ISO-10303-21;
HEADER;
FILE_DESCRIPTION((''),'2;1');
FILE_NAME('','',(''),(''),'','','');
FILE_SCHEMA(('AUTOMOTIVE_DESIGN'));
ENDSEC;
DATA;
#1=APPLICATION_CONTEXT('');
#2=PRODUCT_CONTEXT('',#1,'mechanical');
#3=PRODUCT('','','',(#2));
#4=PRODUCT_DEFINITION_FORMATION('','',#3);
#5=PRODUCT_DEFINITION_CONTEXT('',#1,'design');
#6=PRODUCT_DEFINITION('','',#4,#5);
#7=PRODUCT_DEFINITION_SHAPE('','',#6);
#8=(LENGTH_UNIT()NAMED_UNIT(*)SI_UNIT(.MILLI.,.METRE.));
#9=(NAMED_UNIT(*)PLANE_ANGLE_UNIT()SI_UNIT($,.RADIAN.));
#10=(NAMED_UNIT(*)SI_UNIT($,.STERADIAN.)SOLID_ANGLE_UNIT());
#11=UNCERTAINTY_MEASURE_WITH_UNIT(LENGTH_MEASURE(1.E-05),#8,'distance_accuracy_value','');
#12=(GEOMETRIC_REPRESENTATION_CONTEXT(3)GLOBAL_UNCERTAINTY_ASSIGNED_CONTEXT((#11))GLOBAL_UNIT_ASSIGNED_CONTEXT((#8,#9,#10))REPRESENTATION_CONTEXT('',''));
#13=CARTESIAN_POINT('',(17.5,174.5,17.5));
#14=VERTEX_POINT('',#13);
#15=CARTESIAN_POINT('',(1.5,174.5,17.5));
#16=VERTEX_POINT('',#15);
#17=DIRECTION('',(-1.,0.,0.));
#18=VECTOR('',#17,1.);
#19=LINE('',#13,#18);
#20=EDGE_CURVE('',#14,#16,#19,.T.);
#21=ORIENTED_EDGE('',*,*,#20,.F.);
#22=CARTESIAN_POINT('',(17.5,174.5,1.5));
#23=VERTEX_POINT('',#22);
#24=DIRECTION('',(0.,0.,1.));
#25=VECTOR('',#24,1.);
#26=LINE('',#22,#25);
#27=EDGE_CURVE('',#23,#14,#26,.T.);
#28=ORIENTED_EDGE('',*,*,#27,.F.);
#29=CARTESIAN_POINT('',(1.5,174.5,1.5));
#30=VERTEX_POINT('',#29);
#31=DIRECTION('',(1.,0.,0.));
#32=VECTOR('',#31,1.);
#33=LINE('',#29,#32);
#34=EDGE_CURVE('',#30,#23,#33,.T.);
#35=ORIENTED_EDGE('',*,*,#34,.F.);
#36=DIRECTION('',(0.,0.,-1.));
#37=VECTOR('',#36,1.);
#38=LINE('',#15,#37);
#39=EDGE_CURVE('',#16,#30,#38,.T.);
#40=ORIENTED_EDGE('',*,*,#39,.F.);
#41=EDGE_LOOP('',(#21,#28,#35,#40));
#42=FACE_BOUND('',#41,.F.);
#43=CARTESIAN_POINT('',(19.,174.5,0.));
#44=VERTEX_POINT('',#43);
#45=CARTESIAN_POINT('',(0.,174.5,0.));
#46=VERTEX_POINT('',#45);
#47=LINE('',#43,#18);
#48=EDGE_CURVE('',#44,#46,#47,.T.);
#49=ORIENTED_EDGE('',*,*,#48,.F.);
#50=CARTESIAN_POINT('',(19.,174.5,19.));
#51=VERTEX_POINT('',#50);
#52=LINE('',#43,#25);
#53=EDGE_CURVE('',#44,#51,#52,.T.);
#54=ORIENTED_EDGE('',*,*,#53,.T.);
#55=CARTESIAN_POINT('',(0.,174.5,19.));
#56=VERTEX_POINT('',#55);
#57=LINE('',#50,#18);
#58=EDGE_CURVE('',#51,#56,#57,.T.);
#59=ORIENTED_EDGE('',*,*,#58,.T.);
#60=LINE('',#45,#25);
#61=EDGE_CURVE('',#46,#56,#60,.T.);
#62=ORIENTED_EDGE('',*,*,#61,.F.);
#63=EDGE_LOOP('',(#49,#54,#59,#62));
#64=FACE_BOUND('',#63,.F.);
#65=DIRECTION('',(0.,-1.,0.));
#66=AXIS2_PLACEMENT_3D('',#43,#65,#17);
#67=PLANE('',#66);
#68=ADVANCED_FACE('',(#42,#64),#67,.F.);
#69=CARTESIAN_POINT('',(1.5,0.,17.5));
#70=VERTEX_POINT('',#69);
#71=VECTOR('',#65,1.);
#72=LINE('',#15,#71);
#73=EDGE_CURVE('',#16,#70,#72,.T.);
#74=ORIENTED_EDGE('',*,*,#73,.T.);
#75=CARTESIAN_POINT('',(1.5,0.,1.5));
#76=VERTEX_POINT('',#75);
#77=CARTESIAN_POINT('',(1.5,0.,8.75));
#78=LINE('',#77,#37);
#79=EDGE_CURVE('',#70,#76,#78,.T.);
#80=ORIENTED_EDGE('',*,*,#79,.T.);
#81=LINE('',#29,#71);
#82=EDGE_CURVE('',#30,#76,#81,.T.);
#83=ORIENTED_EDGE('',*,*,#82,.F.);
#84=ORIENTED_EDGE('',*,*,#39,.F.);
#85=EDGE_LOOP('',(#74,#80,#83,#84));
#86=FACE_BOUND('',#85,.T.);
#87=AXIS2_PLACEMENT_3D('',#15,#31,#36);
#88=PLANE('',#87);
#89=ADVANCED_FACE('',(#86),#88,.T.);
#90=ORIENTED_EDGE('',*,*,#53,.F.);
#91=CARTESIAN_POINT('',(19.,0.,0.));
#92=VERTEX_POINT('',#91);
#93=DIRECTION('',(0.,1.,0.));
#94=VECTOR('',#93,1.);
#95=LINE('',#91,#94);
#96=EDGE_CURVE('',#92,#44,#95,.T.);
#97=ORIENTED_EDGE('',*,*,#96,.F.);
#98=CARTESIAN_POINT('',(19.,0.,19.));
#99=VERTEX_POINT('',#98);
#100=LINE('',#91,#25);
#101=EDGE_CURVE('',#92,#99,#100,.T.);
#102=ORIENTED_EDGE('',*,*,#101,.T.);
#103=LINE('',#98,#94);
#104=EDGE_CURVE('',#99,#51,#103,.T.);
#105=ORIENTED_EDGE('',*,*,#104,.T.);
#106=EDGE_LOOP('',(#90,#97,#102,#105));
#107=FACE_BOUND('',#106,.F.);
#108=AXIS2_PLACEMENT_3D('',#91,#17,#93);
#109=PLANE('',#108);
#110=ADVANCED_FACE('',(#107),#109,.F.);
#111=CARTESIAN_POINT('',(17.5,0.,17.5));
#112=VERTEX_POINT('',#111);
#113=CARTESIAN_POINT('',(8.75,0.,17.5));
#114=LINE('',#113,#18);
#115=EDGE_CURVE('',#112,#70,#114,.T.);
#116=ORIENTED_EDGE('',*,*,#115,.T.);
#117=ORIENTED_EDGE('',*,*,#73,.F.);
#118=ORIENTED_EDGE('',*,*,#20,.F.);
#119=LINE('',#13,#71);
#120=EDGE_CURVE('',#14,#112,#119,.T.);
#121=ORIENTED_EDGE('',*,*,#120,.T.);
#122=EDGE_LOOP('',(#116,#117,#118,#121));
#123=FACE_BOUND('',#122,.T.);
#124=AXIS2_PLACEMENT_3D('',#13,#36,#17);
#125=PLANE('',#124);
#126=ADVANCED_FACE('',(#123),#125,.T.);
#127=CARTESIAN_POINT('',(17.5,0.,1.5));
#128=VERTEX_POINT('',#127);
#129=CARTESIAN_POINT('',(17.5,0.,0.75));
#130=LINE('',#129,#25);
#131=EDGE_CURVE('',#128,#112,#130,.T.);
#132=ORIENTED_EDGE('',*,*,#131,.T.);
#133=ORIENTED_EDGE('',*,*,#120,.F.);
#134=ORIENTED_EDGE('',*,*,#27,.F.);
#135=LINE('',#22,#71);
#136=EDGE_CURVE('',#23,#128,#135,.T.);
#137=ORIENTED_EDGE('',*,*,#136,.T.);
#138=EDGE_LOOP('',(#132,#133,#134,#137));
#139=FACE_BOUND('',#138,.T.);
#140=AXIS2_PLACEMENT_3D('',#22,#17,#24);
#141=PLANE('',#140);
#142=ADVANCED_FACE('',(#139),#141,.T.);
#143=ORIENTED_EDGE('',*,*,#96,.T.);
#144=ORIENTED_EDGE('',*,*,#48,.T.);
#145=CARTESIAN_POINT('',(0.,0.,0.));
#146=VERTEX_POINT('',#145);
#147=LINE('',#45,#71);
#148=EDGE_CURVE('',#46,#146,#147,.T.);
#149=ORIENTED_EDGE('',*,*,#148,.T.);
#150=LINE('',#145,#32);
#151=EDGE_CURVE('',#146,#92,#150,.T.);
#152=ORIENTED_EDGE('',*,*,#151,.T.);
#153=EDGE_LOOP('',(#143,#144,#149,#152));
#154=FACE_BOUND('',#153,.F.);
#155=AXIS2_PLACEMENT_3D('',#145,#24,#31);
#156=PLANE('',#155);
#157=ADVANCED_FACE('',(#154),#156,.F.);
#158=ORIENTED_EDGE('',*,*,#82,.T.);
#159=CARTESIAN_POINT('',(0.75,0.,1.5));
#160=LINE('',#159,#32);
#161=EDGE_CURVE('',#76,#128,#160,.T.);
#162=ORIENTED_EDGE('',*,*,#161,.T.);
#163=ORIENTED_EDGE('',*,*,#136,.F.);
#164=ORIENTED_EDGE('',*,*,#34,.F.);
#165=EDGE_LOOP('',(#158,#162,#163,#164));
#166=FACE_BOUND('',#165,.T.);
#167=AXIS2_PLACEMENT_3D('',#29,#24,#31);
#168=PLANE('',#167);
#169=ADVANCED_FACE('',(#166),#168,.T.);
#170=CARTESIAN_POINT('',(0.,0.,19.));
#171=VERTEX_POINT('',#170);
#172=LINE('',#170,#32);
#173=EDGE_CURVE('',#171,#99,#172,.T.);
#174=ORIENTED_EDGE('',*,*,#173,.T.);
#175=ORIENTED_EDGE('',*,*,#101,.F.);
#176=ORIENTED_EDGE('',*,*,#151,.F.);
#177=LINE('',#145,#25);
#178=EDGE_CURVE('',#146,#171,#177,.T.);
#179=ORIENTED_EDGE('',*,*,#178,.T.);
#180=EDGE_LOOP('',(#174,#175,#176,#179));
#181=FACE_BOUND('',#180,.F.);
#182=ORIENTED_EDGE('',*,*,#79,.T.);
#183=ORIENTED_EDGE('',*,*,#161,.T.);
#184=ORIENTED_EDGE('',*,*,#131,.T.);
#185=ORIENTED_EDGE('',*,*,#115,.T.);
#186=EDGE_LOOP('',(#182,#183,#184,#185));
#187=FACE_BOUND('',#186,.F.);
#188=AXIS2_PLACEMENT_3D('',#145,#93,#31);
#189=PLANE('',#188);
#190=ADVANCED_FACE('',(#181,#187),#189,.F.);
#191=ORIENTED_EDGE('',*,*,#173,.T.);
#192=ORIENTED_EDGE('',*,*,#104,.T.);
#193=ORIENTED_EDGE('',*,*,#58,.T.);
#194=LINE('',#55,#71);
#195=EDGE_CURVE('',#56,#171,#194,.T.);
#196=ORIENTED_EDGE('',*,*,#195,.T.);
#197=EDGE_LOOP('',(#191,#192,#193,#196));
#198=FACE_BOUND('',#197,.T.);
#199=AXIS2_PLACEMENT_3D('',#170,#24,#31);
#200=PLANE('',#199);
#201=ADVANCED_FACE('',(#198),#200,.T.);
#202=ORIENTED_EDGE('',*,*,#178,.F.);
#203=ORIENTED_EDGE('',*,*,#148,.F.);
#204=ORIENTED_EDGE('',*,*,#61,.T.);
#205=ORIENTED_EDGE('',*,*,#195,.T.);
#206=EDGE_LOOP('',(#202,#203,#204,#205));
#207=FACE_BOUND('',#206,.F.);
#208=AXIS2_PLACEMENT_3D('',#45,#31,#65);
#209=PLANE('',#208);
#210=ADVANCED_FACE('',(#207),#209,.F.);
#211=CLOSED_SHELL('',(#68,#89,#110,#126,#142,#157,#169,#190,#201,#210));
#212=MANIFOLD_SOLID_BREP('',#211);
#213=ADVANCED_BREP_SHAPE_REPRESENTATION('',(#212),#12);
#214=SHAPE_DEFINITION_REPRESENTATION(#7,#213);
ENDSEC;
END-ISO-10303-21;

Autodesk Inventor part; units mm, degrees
ref_plane "YZ Plane" through (0, 0, 0) normal (1, 0, 0) x (0, 1, 0)
ref_plane "XZ Plane" through (0, 0, 0) normal (0, 1, 0) x (-1, 0, 0)
ref_plane "XY Plane" through (0, 0, 0) normal (0, 0, 1) x (1, 0, 0)
sketch "Sketch2" plane through (0, 0, 0) normal (0, 0, 1) x (1, 0, 0)
  line L0 (0, 0) -> (19, 0)
  line L1 (19, 0) -> (19, 174.5)
  line L2 (19, 174.5) -> (0, 174.5)
  line L3 (0, 174.5) -> (0, 0)
  dimension "d9" = 19
  dimension "d10" = 174.5
extrude "Extrusion1" add sketch "Sketch2" along normal blind 19
sketch "Sketch4" plane through (0, 174.5, 0) normal (0, 1, 0) x (1, 0, 0)
  line L0 (19, 0) -> (0, 0) projected
  line L1 (0, 0) -> (0, -19) projected
  line L2 (19, -19) -> (0, -19) projected
  line L3 (19, 0) -> (19, -19) projected
  line L4 (1.5, -17.5) -> (1.5, -1.5)
  line L5 (1.5, -1.5) -> (17.5, -1.5)
  line L6 (17.5, -1.5) -> (17.5, -17.5)
  line L7 (17.5, -17.5) -> (1.5, -17.5)
  point P0 (0, 0)
  dimension "d11" = 1.5
extrude "Extrusion3" cut sketch "Sketch4" against normal through all contours L4 L5 L6 L7
properties part number "C009" material "Aluminum 6061"
